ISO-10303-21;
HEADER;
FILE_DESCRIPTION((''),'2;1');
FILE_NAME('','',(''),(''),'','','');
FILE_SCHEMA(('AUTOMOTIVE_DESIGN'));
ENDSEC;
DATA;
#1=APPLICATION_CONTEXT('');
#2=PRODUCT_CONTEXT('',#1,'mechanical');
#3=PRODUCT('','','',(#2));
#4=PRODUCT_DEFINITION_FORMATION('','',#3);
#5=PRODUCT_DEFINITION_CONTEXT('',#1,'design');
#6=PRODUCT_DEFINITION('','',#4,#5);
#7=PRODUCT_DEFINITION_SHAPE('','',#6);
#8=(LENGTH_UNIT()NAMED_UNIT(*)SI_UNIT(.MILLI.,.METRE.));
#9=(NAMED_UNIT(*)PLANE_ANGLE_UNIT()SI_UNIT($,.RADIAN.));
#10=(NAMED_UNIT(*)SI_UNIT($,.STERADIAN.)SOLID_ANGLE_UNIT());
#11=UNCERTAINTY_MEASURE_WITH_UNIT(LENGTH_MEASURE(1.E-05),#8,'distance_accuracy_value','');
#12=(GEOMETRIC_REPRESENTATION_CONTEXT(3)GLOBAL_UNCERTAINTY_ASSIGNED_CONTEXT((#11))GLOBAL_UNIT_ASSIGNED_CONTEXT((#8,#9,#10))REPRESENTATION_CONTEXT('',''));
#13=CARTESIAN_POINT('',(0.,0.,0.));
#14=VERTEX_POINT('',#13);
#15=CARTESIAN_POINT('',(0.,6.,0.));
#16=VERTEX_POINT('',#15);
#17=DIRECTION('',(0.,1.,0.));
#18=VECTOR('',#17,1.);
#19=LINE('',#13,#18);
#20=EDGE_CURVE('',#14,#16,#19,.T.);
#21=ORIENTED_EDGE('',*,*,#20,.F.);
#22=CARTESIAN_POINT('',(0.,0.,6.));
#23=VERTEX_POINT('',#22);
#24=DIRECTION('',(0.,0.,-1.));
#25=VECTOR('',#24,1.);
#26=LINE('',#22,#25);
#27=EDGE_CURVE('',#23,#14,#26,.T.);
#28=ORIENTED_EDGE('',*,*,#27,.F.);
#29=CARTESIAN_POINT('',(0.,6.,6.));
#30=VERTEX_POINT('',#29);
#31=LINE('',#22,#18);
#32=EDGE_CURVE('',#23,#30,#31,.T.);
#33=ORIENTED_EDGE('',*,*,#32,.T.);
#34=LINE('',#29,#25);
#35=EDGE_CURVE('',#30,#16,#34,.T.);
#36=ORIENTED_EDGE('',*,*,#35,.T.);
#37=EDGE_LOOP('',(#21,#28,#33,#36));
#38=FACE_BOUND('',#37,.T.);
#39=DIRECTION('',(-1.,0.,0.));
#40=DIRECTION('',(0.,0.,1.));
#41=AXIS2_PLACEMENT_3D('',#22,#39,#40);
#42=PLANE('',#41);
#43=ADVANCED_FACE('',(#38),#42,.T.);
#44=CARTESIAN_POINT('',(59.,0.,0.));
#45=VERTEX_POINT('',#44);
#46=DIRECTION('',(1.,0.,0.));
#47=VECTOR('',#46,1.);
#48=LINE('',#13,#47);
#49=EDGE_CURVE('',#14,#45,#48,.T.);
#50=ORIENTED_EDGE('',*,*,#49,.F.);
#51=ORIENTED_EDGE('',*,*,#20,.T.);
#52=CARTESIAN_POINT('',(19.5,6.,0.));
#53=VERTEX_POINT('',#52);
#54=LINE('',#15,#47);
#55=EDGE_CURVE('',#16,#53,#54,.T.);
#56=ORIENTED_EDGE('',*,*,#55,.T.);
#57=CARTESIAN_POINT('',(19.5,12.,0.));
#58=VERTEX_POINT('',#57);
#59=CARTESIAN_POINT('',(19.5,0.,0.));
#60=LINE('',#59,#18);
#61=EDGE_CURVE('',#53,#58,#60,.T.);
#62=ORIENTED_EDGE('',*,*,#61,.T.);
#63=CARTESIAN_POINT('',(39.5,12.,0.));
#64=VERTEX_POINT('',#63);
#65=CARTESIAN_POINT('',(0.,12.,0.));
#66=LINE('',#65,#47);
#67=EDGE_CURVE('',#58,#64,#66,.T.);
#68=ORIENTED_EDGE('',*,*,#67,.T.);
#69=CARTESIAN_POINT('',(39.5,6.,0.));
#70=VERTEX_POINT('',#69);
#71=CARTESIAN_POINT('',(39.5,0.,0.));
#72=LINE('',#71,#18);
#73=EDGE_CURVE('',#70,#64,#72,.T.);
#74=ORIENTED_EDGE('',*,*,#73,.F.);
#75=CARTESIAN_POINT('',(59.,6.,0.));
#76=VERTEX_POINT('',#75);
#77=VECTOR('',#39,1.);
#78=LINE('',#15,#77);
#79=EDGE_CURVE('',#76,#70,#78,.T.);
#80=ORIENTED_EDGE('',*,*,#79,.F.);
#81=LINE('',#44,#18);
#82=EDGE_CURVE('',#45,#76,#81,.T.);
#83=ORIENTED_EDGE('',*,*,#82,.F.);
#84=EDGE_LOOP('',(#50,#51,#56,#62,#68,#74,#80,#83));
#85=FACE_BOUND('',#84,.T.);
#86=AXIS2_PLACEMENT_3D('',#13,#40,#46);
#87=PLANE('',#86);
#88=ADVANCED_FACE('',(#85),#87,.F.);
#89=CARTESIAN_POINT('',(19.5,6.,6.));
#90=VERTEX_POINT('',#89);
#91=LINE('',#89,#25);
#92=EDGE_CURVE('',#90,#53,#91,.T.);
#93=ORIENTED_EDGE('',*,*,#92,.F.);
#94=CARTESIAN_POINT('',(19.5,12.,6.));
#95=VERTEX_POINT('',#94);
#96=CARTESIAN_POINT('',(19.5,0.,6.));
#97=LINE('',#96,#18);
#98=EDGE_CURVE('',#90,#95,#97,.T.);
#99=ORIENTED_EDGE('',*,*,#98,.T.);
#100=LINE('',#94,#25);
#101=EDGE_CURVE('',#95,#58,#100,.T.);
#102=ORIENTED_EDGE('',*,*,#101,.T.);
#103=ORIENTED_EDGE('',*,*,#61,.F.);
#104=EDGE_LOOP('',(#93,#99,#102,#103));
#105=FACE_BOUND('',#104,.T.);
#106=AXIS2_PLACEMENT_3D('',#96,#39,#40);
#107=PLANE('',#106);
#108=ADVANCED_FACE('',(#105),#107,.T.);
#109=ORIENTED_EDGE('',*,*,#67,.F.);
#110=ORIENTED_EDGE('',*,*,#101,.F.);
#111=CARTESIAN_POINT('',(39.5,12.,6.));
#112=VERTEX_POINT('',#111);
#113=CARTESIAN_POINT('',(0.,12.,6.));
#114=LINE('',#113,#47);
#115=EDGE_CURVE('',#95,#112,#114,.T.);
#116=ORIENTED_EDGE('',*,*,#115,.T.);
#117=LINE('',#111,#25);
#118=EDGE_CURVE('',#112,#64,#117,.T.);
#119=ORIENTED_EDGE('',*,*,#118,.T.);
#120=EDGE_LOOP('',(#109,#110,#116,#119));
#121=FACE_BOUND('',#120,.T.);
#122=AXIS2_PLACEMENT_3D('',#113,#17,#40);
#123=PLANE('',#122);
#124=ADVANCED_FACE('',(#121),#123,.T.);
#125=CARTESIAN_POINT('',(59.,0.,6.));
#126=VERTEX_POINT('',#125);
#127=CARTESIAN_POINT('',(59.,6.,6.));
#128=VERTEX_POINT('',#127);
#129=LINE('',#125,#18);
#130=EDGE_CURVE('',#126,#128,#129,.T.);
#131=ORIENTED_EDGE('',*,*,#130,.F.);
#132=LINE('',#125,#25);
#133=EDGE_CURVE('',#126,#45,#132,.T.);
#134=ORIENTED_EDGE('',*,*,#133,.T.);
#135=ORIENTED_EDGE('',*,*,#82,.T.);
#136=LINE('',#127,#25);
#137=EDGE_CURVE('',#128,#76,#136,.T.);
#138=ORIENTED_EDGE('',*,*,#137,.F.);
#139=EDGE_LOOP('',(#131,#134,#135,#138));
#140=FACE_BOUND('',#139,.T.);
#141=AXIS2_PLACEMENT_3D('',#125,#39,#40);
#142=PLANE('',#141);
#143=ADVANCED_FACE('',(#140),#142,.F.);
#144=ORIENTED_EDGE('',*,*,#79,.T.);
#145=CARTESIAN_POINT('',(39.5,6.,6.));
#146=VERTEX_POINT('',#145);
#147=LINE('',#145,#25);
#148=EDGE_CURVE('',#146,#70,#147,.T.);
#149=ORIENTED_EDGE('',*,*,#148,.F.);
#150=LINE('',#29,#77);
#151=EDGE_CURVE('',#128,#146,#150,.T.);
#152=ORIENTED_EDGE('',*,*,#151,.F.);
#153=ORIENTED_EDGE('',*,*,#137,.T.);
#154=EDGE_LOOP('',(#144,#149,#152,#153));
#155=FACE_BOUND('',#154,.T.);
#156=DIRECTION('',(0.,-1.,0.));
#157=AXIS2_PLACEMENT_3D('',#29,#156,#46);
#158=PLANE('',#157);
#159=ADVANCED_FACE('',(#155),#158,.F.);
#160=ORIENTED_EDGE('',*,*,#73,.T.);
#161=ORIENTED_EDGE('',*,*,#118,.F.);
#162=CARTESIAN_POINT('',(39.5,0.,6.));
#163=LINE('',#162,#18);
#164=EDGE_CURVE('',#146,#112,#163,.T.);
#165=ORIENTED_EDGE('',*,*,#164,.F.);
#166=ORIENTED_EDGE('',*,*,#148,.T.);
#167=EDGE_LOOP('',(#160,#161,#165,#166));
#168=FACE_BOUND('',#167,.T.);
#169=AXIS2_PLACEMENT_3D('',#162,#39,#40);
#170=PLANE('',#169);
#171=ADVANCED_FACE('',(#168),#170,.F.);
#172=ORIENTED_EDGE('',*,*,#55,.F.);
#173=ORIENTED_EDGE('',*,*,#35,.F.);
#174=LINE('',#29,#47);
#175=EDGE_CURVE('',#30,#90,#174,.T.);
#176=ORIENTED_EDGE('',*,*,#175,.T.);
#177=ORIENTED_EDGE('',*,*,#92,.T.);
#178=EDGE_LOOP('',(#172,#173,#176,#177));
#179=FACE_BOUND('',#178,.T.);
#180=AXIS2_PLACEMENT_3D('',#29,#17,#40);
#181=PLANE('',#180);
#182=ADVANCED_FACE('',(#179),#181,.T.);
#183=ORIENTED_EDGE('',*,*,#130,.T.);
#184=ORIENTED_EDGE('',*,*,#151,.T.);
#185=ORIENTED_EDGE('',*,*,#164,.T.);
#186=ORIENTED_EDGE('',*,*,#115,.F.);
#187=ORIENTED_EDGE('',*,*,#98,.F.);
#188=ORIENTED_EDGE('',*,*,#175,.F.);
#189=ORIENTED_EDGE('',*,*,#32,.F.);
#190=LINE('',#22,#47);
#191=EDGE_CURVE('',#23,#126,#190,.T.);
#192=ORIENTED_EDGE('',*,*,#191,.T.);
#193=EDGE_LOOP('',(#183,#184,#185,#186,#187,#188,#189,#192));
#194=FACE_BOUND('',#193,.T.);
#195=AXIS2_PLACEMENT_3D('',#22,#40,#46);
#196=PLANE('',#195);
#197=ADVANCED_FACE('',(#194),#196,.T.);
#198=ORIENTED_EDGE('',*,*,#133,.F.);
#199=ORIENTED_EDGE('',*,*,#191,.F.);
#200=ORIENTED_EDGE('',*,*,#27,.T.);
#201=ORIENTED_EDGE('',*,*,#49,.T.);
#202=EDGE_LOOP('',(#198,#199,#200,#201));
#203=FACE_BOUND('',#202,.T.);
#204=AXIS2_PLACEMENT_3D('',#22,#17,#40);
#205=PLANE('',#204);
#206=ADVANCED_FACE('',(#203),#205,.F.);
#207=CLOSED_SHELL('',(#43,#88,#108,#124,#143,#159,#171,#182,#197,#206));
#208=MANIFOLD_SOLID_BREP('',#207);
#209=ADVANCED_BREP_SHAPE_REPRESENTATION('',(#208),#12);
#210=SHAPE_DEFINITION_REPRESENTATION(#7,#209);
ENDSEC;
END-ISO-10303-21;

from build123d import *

# Parameters (mm, degrees)
RESSALTO_EXTRUS_O1_DEPTH = 6


with BuildPart() as part:
    # Esboço1 → Ressalto-extrusão1 (new body)
    with BuildSketch(Plane.XY):
        Polygon((19.5, 6), (0, 6), (0, 0), (59, 0), (59, 6), (39.5, 6), (39.5, 12), (19.5, 12), align=None)
    extrude(amount=RESSALTO_EXTRUS_O1_DEPTH)


solid = part.part
